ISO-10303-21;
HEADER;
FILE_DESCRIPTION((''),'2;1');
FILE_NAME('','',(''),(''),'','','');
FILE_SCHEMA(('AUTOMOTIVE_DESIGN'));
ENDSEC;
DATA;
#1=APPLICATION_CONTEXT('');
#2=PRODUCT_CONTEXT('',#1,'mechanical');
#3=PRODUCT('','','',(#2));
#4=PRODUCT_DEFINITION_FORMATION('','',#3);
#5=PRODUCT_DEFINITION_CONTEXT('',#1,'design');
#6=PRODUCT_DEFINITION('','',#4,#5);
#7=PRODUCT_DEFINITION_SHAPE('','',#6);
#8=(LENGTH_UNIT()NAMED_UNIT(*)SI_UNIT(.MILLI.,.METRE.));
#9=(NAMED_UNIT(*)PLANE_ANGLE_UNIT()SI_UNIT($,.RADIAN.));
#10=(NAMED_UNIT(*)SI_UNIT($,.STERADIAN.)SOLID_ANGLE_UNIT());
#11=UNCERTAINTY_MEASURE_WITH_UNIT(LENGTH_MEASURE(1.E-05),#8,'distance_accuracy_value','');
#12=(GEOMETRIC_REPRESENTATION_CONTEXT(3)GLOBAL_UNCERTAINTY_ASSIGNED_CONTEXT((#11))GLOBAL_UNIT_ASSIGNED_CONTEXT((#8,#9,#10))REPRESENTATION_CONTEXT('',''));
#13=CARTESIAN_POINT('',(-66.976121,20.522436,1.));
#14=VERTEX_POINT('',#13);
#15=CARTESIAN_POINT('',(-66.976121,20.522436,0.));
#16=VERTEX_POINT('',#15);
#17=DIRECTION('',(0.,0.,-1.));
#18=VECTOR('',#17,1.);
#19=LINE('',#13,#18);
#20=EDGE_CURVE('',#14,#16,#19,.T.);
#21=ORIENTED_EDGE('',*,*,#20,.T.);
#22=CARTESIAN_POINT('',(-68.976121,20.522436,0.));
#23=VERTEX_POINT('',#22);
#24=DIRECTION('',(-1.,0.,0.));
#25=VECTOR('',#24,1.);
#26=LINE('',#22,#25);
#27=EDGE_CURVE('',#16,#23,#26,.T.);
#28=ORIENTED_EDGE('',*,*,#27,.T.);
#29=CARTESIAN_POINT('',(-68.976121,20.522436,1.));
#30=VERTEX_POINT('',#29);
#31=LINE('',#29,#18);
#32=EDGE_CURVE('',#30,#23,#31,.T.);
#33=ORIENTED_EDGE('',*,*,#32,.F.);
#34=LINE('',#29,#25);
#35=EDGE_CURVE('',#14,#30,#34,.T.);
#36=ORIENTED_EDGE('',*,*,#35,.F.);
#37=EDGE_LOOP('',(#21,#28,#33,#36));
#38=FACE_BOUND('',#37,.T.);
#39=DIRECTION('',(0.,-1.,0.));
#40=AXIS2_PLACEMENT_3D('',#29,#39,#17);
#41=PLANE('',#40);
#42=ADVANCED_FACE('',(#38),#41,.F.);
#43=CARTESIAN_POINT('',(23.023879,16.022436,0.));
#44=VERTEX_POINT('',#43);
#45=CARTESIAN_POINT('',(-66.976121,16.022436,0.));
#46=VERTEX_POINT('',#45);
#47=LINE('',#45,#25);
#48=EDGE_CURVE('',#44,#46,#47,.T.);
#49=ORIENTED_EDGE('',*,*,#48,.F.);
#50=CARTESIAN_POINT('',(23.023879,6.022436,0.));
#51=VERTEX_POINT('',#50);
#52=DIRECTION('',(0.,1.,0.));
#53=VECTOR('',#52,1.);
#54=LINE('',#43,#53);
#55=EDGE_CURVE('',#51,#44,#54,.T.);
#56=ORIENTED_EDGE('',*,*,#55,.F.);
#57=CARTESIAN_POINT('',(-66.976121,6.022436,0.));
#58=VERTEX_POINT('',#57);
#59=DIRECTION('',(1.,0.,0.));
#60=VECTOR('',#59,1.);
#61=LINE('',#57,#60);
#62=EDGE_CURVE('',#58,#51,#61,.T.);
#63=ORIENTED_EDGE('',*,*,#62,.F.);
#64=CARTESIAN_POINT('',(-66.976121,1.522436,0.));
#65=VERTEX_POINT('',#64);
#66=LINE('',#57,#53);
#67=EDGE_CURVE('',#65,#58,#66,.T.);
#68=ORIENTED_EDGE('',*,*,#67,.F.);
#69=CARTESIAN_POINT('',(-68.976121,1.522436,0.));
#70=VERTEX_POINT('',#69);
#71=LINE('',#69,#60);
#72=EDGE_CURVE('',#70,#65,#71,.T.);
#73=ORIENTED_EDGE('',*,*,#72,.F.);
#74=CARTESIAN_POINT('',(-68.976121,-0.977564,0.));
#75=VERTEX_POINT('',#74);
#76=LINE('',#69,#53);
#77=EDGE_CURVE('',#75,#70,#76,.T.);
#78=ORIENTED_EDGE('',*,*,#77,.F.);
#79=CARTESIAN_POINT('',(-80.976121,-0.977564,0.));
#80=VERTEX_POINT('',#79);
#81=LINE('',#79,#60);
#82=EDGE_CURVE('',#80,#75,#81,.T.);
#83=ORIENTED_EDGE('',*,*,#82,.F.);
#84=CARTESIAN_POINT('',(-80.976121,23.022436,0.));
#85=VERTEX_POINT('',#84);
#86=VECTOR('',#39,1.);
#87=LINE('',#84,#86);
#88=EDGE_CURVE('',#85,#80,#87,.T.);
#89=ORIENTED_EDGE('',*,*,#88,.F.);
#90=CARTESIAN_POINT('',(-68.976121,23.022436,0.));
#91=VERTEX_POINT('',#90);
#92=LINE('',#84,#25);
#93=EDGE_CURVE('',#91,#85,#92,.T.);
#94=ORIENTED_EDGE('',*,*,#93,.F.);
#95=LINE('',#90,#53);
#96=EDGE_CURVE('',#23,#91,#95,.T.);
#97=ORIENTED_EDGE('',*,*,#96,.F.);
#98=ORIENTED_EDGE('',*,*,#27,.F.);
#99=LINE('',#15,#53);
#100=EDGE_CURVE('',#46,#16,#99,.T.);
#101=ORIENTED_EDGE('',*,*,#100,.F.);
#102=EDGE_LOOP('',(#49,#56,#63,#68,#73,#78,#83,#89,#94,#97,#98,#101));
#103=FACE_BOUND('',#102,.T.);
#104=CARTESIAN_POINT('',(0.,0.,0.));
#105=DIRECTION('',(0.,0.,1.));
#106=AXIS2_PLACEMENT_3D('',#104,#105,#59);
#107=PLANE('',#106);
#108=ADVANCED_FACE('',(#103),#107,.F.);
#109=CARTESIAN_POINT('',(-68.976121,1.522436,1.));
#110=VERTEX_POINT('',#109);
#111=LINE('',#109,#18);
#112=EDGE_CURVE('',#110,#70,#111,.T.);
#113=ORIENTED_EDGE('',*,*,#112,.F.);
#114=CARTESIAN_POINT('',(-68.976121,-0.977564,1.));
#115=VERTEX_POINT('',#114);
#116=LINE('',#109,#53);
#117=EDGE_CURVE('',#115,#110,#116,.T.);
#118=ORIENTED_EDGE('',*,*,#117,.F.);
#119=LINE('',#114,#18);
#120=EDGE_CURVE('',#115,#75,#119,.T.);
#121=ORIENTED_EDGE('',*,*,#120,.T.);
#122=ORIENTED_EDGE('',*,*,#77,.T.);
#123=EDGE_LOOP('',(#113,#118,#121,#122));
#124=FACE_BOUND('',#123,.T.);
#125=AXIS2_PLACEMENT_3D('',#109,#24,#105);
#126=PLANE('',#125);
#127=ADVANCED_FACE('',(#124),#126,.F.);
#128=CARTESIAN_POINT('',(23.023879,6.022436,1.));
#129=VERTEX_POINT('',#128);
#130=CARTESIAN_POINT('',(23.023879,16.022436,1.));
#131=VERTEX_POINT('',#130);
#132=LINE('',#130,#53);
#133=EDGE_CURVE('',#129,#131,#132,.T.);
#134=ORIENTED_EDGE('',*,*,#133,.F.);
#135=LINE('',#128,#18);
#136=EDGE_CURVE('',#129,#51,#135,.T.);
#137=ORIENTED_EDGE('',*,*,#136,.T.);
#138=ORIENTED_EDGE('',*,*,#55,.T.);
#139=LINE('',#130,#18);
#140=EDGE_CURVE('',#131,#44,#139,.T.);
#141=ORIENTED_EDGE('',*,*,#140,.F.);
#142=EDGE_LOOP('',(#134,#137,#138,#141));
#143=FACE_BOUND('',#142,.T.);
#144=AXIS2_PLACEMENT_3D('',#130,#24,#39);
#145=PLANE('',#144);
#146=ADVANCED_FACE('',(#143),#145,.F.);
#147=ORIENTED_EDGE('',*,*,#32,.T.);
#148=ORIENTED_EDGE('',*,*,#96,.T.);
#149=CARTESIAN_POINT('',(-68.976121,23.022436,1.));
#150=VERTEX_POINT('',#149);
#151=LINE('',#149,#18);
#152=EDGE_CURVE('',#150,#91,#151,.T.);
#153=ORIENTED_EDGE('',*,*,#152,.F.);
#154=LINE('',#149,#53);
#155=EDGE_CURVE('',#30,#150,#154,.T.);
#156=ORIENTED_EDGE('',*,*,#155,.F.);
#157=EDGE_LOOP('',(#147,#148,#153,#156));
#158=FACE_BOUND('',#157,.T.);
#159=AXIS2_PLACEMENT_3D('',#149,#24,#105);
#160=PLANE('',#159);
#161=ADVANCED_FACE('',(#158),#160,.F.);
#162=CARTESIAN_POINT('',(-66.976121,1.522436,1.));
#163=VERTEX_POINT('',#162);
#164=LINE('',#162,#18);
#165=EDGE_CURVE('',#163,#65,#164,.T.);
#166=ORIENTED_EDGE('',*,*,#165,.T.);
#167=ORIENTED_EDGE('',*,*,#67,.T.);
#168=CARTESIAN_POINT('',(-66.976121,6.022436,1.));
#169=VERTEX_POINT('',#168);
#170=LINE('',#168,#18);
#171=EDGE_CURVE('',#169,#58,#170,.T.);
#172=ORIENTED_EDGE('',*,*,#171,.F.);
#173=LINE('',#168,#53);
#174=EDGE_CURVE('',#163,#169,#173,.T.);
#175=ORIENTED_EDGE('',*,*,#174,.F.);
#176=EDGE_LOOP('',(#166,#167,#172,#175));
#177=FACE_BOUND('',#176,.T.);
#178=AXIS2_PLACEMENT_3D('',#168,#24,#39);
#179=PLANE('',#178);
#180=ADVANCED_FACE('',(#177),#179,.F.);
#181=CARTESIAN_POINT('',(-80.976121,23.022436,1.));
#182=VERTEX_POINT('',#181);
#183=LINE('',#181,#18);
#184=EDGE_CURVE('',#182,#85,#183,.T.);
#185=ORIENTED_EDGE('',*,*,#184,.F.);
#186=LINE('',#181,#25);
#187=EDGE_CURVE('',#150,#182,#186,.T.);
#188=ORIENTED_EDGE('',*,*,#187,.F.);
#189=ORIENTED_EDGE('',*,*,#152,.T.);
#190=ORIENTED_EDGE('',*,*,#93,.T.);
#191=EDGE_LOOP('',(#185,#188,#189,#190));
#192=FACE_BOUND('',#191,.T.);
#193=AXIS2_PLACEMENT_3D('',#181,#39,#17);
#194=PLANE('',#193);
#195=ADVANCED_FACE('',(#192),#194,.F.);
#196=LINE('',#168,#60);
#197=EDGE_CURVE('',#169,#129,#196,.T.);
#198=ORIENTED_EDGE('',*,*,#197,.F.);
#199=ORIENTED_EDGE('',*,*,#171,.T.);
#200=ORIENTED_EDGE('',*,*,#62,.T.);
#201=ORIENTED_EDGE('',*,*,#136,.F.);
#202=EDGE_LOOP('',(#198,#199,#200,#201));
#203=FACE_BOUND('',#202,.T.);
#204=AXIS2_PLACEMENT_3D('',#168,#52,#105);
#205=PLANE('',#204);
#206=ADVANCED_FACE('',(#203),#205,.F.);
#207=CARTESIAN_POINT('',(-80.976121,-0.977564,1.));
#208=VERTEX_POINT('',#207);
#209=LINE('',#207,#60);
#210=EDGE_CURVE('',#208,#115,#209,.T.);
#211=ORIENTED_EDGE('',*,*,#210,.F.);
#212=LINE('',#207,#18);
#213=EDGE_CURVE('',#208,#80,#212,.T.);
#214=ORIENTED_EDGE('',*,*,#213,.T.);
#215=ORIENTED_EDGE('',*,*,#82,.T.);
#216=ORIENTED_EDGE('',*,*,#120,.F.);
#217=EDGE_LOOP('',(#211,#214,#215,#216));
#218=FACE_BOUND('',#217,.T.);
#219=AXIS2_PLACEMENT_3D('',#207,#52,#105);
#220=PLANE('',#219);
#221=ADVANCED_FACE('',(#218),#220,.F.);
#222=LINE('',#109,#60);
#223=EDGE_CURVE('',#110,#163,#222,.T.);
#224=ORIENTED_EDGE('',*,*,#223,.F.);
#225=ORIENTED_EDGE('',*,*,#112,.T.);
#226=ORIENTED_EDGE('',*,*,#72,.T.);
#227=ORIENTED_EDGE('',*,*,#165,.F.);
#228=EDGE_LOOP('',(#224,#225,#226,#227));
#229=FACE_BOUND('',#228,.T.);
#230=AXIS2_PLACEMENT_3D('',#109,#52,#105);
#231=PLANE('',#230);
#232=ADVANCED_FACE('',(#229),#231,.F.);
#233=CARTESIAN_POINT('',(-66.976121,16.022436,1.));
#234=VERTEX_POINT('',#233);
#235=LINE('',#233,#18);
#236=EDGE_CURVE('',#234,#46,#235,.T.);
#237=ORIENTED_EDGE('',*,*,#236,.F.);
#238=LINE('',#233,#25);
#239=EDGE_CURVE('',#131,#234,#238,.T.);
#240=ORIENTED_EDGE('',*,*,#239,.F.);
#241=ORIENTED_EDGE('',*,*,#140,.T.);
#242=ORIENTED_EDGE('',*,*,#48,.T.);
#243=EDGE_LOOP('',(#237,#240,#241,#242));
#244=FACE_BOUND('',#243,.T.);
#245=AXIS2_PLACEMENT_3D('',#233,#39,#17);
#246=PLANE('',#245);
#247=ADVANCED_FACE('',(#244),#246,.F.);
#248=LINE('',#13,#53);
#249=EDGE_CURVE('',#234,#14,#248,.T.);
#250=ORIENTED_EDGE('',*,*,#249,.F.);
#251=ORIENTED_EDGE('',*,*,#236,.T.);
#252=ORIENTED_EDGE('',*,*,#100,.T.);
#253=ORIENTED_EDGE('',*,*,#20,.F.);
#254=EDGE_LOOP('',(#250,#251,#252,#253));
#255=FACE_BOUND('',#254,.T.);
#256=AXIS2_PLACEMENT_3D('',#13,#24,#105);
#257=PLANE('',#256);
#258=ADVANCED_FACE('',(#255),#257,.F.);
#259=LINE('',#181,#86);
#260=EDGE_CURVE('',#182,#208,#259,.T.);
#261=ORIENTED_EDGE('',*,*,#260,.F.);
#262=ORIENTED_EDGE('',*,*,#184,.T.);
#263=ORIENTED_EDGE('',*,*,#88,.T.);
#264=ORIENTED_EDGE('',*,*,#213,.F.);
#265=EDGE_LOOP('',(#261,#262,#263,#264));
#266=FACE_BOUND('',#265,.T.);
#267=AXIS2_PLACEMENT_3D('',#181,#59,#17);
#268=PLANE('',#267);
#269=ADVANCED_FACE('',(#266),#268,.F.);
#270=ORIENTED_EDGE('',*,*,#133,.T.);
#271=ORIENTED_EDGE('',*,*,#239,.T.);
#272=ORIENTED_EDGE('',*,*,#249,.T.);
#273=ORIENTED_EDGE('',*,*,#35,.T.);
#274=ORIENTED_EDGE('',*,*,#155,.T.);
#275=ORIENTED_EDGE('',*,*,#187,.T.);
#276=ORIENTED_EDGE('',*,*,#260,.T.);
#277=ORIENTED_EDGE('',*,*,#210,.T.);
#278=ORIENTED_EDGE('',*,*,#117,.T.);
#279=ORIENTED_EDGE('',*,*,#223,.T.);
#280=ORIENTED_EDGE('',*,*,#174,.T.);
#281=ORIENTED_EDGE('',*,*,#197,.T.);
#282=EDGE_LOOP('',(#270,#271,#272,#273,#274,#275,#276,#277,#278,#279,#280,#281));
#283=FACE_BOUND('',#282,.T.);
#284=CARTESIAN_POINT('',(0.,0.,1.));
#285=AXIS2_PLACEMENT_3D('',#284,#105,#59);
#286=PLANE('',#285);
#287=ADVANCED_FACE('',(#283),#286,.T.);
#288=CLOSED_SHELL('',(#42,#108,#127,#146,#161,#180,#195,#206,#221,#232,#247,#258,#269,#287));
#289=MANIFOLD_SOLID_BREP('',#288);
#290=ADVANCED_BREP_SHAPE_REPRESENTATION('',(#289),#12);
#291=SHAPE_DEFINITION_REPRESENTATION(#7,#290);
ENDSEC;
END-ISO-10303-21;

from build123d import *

# Parameters (mm, degrees)
EXTRUDE_1_DEPTH = 1


with BuildPart() as part:
    # 草图1 → 凸台-拉伸1 (new body)
    with BuildSketch(Plane.XY):
        Polygon((-68.976121457, 1.522435897), (-68.976121457, -0.977564103), (-80.976121457, -0.977564103), (-80.976121457, 23.022435897), (-68.976121457, 23.022435897), (-68.976121457, 20.522435897), (-66.976121457, 20.522435897), (-66.976121457, 16.022435897), (23.023878543, 16.022435897), (23.023878543, 6.022435897), (-66.976121457, 6.022435897), (-66.976121457, 1.522435897), align=None)
    extrude(amount=EXTRUDE_1_DEPTH)


solid = part.part
